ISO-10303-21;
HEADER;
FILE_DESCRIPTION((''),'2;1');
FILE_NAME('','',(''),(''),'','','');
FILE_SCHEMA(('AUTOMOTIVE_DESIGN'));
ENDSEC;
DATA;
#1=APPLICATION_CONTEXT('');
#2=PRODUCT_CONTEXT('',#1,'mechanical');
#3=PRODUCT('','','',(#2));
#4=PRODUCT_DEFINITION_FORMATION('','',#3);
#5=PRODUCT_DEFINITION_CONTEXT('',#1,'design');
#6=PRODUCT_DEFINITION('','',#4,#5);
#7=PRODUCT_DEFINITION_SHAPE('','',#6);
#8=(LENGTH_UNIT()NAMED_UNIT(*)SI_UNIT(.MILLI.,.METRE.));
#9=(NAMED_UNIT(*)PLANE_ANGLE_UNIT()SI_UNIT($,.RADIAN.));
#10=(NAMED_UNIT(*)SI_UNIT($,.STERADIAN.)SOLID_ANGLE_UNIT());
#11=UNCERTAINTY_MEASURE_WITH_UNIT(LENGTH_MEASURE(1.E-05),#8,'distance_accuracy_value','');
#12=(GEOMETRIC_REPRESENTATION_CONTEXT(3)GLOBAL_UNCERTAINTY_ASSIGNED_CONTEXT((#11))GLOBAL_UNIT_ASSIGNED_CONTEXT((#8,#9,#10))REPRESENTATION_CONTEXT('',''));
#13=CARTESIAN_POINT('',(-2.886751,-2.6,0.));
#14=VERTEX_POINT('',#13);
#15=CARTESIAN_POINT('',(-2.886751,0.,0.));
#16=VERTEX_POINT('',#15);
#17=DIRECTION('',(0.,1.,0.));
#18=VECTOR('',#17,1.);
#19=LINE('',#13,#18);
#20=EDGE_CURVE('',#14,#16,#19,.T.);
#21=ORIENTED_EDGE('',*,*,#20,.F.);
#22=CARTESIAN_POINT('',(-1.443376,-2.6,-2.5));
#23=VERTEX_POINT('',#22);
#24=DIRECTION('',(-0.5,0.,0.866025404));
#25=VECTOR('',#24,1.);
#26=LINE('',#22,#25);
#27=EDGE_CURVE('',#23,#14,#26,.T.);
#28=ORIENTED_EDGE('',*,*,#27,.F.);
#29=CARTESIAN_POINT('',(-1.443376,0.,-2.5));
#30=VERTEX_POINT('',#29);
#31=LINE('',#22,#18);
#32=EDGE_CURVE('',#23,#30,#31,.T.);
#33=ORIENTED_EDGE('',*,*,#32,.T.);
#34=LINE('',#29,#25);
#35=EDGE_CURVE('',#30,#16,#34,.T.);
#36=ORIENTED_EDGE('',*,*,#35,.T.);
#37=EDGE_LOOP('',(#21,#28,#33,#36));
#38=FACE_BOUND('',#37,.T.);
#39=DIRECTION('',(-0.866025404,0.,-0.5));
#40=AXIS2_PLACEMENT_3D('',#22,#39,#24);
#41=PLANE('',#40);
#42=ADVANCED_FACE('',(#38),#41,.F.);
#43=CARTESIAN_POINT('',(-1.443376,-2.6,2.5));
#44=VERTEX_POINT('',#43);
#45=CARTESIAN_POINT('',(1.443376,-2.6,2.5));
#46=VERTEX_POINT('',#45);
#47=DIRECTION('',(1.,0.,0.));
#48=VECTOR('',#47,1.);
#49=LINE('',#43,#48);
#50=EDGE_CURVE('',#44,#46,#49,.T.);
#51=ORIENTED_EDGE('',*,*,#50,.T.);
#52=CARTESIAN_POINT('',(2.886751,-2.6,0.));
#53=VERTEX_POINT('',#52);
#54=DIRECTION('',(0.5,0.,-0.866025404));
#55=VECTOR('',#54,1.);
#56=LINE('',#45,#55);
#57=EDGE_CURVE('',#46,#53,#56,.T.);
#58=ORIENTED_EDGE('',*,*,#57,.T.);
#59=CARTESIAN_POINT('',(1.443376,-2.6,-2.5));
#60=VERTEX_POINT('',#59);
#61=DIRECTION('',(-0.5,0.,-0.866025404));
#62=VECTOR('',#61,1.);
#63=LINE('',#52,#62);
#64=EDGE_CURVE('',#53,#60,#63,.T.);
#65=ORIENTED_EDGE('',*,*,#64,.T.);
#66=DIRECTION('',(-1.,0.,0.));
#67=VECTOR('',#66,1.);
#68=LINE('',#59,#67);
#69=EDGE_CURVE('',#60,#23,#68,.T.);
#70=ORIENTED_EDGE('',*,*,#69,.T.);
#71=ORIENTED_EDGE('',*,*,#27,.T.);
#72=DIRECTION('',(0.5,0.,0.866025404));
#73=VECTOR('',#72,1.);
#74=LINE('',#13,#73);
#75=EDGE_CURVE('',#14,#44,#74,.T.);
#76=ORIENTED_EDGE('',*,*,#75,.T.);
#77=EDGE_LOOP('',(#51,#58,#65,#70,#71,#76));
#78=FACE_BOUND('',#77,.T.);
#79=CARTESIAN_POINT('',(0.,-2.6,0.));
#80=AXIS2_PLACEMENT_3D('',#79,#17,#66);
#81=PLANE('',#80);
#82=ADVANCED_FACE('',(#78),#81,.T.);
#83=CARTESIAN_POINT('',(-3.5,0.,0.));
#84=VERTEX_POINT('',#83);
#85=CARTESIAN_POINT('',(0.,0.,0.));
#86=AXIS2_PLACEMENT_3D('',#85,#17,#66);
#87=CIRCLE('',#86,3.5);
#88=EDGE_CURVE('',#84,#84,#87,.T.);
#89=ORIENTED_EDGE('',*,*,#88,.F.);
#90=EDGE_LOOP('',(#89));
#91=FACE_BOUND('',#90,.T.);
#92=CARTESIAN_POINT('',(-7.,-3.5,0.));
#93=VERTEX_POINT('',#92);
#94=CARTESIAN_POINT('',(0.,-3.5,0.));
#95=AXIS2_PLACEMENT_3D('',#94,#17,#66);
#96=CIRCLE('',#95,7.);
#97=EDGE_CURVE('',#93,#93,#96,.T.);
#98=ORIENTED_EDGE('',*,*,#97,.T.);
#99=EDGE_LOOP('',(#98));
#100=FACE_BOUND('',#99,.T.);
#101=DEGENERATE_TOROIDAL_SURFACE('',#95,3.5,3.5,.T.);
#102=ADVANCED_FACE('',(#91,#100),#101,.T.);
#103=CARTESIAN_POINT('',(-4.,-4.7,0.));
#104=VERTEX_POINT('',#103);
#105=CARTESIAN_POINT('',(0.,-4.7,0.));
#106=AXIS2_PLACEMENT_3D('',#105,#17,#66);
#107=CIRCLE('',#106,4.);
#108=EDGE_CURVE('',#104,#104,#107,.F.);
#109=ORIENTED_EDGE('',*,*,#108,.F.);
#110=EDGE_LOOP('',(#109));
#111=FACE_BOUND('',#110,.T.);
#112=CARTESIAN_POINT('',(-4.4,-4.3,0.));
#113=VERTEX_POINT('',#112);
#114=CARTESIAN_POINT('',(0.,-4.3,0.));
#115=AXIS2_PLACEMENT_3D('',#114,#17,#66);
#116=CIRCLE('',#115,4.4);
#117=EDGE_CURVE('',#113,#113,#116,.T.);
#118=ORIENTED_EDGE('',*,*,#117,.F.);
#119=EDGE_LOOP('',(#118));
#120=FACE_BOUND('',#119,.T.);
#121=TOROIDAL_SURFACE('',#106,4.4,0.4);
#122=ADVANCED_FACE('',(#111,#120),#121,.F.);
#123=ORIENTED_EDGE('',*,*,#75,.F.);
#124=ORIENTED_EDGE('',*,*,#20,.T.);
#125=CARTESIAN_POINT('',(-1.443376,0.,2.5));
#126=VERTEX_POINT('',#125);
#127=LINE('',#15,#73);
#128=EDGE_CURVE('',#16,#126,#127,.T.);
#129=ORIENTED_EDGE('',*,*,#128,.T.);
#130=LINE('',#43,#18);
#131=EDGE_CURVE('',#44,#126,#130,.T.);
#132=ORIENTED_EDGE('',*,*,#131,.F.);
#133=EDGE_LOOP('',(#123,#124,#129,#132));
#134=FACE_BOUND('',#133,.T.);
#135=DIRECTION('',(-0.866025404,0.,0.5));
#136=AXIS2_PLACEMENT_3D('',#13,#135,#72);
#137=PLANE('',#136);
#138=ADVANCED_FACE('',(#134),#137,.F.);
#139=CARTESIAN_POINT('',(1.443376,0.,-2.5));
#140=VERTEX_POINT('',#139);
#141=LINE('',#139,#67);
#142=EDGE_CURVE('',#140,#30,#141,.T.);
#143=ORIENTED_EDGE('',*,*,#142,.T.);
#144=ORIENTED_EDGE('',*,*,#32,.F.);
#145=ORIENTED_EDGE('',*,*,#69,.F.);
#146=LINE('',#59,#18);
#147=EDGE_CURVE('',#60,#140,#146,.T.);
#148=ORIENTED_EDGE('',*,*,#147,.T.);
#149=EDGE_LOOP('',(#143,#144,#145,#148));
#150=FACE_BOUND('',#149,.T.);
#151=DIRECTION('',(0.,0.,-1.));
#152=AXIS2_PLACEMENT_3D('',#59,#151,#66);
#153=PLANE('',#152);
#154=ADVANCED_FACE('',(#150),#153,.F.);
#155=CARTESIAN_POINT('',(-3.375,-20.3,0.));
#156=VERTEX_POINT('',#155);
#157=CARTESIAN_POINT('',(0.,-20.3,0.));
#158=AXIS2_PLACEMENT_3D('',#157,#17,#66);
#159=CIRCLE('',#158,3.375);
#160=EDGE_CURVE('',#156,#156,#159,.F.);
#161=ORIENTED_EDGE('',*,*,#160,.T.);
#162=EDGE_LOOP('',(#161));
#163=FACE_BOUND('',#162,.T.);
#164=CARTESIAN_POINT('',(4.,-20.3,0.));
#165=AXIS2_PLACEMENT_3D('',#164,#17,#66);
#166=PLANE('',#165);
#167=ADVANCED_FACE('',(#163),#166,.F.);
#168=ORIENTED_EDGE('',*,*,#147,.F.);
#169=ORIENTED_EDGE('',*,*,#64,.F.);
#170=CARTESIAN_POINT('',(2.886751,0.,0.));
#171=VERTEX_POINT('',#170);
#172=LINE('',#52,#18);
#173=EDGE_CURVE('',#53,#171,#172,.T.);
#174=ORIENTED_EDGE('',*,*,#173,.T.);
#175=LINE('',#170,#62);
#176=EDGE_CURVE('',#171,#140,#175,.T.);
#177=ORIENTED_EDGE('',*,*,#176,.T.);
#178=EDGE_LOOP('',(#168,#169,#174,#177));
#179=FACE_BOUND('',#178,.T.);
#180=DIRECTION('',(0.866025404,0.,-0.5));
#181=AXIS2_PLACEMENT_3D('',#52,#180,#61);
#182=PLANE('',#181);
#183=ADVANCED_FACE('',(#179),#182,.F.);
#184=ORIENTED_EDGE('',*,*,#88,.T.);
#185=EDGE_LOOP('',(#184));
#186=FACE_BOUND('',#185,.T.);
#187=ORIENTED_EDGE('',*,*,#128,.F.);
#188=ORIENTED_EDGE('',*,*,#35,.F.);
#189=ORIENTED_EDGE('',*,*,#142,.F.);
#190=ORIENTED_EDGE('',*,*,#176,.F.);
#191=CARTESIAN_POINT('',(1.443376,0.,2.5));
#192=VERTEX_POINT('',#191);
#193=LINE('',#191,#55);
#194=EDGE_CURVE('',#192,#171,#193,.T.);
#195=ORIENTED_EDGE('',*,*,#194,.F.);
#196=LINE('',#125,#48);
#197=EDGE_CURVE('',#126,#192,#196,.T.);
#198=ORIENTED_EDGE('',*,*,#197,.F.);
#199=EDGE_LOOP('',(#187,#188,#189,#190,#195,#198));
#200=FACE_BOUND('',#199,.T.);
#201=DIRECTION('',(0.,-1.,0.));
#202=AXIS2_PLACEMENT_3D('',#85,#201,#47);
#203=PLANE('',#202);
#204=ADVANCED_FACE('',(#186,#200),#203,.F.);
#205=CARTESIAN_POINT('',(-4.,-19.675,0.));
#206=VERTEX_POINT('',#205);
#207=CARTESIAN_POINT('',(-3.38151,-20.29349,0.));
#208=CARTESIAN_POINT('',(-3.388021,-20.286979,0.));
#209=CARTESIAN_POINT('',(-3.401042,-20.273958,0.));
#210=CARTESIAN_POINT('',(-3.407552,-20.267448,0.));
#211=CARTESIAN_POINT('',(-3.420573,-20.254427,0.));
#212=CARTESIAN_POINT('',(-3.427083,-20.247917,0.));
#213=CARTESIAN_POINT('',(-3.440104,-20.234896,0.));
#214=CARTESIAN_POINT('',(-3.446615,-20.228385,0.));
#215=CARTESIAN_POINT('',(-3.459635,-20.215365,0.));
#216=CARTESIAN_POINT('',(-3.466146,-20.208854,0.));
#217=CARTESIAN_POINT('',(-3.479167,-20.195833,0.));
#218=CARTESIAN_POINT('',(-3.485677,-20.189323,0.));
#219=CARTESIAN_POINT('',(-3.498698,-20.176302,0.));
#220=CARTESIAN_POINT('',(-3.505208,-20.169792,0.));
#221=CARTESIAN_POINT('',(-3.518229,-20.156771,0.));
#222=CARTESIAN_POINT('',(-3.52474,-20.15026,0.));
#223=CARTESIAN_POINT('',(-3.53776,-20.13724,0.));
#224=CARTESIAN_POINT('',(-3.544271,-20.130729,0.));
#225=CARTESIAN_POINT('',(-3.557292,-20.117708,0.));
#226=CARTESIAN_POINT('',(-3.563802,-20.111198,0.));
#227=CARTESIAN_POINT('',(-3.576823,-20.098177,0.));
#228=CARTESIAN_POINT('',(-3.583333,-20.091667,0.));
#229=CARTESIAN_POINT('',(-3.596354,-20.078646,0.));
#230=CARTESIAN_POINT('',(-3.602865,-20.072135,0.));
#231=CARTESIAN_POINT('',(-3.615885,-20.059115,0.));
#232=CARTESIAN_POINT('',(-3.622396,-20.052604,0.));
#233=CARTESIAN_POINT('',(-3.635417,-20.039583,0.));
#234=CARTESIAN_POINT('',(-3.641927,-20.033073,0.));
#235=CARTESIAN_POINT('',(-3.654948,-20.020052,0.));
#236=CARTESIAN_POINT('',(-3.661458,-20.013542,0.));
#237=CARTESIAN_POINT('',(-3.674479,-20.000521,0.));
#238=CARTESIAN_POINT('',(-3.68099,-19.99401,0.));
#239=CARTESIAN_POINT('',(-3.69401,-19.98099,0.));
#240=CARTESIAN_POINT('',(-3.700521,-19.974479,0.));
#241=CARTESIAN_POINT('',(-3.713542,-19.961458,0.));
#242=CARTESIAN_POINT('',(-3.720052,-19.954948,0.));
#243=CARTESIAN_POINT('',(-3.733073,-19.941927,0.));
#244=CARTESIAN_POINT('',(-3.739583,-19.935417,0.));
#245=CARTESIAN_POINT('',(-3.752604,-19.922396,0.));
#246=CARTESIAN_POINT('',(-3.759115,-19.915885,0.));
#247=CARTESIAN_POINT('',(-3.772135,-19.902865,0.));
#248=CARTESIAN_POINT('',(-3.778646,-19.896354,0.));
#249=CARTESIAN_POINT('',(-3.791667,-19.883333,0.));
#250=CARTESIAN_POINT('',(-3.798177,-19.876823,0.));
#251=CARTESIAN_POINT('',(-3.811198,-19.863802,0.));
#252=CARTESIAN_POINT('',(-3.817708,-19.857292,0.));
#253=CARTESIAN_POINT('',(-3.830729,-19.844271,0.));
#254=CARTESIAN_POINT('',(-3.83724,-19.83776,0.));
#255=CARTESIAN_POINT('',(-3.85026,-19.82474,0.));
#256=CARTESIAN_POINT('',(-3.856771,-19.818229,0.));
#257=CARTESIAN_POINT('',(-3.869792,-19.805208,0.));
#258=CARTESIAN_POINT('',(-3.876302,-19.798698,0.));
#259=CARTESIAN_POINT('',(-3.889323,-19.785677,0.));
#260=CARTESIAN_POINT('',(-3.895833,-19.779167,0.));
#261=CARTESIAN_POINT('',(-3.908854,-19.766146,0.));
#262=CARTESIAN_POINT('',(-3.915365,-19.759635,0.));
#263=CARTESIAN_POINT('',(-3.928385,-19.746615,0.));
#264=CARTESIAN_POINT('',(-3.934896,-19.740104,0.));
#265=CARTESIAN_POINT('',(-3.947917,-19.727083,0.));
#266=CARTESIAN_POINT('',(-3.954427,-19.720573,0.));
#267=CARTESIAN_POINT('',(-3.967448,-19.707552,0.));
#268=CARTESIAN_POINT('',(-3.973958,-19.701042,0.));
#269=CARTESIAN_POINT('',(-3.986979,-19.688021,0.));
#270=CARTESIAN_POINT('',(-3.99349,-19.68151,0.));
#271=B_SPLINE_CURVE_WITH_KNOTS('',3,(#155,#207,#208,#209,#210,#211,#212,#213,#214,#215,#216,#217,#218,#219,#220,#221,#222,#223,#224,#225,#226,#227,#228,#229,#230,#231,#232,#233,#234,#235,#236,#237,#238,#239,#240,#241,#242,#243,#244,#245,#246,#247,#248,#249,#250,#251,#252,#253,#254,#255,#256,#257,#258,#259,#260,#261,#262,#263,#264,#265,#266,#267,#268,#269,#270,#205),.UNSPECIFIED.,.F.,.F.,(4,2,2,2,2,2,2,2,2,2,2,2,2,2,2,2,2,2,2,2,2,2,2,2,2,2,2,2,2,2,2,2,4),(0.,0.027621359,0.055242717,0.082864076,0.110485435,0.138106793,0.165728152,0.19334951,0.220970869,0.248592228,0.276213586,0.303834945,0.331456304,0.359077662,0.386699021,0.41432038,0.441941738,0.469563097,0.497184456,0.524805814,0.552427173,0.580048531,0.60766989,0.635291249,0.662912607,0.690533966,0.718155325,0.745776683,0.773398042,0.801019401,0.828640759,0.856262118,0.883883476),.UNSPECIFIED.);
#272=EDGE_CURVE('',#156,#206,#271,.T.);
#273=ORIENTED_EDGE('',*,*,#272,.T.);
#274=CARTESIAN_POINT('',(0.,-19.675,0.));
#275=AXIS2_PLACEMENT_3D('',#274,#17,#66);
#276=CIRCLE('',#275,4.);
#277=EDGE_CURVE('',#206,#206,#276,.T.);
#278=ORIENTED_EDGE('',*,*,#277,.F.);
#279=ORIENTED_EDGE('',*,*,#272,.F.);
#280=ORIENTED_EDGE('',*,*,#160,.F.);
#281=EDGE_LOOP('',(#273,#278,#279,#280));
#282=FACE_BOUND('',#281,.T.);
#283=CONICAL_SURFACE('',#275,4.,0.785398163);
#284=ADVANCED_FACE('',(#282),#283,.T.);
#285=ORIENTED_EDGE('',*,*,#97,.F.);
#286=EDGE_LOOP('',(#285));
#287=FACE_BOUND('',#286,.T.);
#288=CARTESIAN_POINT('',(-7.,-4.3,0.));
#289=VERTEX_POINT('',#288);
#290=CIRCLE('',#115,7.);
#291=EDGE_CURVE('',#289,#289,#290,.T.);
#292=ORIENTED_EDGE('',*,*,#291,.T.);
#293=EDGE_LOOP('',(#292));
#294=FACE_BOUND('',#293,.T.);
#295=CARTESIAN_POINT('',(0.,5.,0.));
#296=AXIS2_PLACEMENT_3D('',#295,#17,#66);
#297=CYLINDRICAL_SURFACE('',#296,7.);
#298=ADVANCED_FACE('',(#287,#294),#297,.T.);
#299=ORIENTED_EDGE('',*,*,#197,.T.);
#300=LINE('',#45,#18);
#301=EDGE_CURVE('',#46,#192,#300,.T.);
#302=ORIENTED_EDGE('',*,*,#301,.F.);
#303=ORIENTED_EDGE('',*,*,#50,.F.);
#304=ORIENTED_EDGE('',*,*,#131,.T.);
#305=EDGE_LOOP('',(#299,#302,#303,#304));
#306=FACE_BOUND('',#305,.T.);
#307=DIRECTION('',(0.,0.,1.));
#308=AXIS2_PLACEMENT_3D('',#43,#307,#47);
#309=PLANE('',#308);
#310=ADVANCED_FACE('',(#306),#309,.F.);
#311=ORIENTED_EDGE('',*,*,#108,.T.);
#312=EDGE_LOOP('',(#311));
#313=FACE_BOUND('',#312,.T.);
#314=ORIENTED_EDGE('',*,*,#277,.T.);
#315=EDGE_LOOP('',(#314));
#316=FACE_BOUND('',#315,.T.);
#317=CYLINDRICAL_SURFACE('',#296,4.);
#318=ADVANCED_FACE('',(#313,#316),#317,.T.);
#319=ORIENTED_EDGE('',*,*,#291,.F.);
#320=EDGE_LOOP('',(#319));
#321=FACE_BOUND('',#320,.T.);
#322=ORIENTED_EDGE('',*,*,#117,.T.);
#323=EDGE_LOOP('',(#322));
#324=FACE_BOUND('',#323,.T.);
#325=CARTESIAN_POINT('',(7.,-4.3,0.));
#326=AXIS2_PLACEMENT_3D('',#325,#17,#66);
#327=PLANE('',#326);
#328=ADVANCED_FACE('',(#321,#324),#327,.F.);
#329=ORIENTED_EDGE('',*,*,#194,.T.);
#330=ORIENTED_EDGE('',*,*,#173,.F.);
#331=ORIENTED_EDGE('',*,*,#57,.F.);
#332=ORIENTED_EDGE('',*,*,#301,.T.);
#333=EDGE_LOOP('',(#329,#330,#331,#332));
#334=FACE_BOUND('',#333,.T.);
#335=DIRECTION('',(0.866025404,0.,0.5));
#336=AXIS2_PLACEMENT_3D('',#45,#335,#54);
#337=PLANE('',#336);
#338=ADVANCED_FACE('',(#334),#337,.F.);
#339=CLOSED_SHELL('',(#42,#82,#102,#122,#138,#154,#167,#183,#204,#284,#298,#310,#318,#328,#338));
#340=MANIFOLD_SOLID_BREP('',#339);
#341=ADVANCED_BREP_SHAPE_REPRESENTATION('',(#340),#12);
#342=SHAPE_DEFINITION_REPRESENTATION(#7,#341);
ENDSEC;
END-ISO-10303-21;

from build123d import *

# Parameters (mm, degrees)
CUT_EXTRUDE1_DEPTH = 2.6
FILLET1_R          = 0.4
CHAMFER1_SIZE      = 0.625


with BuildPart() as part:
    # Sketch1 → Revolve1 (revolve)
    with BuildSketch(Plane.XY, mode=Mode.PRIVATE) as revolve1_sk:
        with BuildLine():
            Line((0, 0), (3.5, 0))
            ThreePointArc((3.5, 0), (5.974873734, -1.025126266), (7, -3.5))
            Line((7, -3.5), (7, -4.3))
            Line((7, -4.3), (4, -4.3))
            Line((4, -4.3), (4, -20.3))
            Line((4, -20.3), (0, -20.3))
            Line((0, -20.3), (0, 0))
        make_face()
    revolve(revolve1_sk.sketch.rotate(Axis((0, 5, 0), (0, -1, 0)), 180), axis=Axis((0, 5, 0), (0, -1, 0)))

    # Sketch2 → Cut-Extrude1 (cut)
    with BuildSketch(Plane(origin=(0, 0, 0), x_dir=(1, 0, 0), z_dir=(0, 1, 0))):
        Polygon((2.886751346, 0), (1.443375673, 2.5), (-1.443375673, 2.5), (-2.886751346, 0), (-1.443375673, -2.5), (1.443375673, -2.5), align=None)
    extrude(amount=-CUT_EXTRUDE1_DEPTH, mode=Mode.SUBTRACT)

    # Fillet1
    fillet1_edges = [part.edges().sort_by_distance(p)[0] for p in [
        (4, -4.3, 0),
    ]]
    fillet(fillet1_edges, radius=FILLET1_R)

    # Chamfer1
    chamfer1_edges = [part.edges().sort_by_distance(p)[0] for p in [
        (4, -20.3, 0),
    ]]
    chamfer(chamfer1_edges, length=CHAMFER1_SIZE)


solid = part.part
